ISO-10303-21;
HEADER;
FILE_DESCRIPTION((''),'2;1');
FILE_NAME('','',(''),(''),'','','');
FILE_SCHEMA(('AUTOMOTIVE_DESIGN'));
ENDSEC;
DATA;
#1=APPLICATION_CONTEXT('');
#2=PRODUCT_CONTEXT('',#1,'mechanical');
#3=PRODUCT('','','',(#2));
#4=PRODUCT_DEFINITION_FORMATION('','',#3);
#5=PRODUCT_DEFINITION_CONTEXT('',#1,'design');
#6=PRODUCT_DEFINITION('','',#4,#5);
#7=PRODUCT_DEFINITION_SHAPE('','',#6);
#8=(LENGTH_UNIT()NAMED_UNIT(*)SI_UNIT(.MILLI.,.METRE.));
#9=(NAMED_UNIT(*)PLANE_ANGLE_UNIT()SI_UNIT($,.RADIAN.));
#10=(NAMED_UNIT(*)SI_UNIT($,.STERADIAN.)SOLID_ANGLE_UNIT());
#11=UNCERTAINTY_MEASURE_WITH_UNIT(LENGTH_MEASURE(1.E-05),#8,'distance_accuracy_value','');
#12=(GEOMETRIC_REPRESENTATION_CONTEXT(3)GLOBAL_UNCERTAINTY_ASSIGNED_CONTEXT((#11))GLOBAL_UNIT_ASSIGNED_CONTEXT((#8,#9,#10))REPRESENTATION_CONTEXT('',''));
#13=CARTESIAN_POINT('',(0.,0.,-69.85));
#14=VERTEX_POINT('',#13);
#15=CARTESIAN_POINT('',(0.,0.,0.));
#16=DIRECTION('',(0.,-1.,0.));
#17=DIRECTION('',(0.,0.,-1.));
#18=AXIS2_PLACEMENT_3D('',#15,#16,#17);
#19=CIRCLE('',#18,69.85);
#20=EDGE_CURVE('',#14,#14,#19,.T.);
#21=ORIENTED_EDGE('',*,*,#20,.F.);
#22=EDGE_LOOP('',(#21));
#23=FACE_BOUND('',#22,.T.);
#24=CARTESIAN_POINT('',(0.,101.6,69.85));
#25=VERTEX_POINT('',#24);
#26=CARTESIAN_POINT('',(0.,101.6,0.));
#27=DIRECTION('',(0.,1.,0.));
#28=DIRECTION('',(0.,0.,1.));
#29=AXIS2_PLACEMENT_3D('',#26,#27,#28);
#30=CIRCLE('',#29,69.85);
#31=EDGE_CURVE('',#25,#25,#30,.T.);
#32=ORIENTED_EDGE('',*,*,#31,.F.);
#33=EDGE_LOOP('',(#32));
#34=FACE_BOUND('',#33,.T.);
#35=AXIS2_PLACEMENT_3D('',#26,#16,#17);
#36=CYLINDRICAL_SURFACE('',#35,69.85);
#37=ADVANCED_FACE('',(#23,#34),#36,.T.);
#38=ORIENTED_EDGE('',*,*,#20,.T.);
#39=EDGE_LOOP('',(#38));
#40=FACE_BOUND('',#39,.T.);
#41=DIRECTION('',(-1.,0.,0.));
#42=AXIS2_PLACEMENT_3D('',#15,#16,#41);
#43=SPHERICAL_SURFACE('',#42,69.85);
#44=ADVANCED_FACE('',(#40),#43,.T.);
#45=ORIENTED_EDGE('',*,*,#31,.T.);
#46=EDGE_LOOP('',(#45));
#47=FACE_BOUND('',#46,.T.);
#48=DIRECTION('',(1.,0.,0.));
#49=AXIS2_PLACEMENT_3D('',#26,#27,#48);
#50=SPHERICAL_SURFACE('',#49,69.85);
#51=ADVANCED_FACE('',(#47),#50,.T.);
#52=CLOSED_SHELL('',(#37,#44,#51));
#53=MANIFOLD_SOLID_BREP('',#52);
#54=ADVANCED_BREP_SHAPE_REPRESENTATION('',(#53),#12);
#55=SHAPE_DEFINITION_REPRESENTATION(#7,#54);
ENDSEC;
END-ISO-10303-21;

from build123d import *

# Parameters (mm, degrees)
SKETCH2_R      = 69.85
EXTRUDE1_DEPTH = 101.6


with BuildPart() as part:
    # Sketch2 → Extrude1 (new body)
    with BuildSketch(Plane(origin=(0, 0, 0), x_dir=(1, 0, 0), z_dir=(0, 1, 0))):
        Circle(SKETCH2_R)
    extrude(amount=EXTRUDE1_DEPTH)

    # Sketch5 → Revolve1 (revolve)
    with BuildSketch(Plane.XY):
        with BuildLine():
            Line((0, 171.45), (0, 101.6))
            Line((0, 101.6), (-69.85, 101.6))
            ThreePointArc((-69.85, 101.6), (-49.391408666, 150.991408666), (0, 171.45))
        make_face()
    revolve(axis=Axis((0, 101.6, 0), (0, -1, 0)))

    # Sketch6 → Revolve2 (revolve)
    with BuildSketch(Plane.XY):
        with BuildLine():
            Line((0, -69.85), (0, 0))
            Line((0, 0), (-69.85, 0))
            ThreePointArc((-69.85, 0), (-49.391408666, -49.391408666), (0, -69.85))
        make_face()
    revolve(axis=Axis((0, 0, 0), (0, 1, 0)))


solid = part.part
